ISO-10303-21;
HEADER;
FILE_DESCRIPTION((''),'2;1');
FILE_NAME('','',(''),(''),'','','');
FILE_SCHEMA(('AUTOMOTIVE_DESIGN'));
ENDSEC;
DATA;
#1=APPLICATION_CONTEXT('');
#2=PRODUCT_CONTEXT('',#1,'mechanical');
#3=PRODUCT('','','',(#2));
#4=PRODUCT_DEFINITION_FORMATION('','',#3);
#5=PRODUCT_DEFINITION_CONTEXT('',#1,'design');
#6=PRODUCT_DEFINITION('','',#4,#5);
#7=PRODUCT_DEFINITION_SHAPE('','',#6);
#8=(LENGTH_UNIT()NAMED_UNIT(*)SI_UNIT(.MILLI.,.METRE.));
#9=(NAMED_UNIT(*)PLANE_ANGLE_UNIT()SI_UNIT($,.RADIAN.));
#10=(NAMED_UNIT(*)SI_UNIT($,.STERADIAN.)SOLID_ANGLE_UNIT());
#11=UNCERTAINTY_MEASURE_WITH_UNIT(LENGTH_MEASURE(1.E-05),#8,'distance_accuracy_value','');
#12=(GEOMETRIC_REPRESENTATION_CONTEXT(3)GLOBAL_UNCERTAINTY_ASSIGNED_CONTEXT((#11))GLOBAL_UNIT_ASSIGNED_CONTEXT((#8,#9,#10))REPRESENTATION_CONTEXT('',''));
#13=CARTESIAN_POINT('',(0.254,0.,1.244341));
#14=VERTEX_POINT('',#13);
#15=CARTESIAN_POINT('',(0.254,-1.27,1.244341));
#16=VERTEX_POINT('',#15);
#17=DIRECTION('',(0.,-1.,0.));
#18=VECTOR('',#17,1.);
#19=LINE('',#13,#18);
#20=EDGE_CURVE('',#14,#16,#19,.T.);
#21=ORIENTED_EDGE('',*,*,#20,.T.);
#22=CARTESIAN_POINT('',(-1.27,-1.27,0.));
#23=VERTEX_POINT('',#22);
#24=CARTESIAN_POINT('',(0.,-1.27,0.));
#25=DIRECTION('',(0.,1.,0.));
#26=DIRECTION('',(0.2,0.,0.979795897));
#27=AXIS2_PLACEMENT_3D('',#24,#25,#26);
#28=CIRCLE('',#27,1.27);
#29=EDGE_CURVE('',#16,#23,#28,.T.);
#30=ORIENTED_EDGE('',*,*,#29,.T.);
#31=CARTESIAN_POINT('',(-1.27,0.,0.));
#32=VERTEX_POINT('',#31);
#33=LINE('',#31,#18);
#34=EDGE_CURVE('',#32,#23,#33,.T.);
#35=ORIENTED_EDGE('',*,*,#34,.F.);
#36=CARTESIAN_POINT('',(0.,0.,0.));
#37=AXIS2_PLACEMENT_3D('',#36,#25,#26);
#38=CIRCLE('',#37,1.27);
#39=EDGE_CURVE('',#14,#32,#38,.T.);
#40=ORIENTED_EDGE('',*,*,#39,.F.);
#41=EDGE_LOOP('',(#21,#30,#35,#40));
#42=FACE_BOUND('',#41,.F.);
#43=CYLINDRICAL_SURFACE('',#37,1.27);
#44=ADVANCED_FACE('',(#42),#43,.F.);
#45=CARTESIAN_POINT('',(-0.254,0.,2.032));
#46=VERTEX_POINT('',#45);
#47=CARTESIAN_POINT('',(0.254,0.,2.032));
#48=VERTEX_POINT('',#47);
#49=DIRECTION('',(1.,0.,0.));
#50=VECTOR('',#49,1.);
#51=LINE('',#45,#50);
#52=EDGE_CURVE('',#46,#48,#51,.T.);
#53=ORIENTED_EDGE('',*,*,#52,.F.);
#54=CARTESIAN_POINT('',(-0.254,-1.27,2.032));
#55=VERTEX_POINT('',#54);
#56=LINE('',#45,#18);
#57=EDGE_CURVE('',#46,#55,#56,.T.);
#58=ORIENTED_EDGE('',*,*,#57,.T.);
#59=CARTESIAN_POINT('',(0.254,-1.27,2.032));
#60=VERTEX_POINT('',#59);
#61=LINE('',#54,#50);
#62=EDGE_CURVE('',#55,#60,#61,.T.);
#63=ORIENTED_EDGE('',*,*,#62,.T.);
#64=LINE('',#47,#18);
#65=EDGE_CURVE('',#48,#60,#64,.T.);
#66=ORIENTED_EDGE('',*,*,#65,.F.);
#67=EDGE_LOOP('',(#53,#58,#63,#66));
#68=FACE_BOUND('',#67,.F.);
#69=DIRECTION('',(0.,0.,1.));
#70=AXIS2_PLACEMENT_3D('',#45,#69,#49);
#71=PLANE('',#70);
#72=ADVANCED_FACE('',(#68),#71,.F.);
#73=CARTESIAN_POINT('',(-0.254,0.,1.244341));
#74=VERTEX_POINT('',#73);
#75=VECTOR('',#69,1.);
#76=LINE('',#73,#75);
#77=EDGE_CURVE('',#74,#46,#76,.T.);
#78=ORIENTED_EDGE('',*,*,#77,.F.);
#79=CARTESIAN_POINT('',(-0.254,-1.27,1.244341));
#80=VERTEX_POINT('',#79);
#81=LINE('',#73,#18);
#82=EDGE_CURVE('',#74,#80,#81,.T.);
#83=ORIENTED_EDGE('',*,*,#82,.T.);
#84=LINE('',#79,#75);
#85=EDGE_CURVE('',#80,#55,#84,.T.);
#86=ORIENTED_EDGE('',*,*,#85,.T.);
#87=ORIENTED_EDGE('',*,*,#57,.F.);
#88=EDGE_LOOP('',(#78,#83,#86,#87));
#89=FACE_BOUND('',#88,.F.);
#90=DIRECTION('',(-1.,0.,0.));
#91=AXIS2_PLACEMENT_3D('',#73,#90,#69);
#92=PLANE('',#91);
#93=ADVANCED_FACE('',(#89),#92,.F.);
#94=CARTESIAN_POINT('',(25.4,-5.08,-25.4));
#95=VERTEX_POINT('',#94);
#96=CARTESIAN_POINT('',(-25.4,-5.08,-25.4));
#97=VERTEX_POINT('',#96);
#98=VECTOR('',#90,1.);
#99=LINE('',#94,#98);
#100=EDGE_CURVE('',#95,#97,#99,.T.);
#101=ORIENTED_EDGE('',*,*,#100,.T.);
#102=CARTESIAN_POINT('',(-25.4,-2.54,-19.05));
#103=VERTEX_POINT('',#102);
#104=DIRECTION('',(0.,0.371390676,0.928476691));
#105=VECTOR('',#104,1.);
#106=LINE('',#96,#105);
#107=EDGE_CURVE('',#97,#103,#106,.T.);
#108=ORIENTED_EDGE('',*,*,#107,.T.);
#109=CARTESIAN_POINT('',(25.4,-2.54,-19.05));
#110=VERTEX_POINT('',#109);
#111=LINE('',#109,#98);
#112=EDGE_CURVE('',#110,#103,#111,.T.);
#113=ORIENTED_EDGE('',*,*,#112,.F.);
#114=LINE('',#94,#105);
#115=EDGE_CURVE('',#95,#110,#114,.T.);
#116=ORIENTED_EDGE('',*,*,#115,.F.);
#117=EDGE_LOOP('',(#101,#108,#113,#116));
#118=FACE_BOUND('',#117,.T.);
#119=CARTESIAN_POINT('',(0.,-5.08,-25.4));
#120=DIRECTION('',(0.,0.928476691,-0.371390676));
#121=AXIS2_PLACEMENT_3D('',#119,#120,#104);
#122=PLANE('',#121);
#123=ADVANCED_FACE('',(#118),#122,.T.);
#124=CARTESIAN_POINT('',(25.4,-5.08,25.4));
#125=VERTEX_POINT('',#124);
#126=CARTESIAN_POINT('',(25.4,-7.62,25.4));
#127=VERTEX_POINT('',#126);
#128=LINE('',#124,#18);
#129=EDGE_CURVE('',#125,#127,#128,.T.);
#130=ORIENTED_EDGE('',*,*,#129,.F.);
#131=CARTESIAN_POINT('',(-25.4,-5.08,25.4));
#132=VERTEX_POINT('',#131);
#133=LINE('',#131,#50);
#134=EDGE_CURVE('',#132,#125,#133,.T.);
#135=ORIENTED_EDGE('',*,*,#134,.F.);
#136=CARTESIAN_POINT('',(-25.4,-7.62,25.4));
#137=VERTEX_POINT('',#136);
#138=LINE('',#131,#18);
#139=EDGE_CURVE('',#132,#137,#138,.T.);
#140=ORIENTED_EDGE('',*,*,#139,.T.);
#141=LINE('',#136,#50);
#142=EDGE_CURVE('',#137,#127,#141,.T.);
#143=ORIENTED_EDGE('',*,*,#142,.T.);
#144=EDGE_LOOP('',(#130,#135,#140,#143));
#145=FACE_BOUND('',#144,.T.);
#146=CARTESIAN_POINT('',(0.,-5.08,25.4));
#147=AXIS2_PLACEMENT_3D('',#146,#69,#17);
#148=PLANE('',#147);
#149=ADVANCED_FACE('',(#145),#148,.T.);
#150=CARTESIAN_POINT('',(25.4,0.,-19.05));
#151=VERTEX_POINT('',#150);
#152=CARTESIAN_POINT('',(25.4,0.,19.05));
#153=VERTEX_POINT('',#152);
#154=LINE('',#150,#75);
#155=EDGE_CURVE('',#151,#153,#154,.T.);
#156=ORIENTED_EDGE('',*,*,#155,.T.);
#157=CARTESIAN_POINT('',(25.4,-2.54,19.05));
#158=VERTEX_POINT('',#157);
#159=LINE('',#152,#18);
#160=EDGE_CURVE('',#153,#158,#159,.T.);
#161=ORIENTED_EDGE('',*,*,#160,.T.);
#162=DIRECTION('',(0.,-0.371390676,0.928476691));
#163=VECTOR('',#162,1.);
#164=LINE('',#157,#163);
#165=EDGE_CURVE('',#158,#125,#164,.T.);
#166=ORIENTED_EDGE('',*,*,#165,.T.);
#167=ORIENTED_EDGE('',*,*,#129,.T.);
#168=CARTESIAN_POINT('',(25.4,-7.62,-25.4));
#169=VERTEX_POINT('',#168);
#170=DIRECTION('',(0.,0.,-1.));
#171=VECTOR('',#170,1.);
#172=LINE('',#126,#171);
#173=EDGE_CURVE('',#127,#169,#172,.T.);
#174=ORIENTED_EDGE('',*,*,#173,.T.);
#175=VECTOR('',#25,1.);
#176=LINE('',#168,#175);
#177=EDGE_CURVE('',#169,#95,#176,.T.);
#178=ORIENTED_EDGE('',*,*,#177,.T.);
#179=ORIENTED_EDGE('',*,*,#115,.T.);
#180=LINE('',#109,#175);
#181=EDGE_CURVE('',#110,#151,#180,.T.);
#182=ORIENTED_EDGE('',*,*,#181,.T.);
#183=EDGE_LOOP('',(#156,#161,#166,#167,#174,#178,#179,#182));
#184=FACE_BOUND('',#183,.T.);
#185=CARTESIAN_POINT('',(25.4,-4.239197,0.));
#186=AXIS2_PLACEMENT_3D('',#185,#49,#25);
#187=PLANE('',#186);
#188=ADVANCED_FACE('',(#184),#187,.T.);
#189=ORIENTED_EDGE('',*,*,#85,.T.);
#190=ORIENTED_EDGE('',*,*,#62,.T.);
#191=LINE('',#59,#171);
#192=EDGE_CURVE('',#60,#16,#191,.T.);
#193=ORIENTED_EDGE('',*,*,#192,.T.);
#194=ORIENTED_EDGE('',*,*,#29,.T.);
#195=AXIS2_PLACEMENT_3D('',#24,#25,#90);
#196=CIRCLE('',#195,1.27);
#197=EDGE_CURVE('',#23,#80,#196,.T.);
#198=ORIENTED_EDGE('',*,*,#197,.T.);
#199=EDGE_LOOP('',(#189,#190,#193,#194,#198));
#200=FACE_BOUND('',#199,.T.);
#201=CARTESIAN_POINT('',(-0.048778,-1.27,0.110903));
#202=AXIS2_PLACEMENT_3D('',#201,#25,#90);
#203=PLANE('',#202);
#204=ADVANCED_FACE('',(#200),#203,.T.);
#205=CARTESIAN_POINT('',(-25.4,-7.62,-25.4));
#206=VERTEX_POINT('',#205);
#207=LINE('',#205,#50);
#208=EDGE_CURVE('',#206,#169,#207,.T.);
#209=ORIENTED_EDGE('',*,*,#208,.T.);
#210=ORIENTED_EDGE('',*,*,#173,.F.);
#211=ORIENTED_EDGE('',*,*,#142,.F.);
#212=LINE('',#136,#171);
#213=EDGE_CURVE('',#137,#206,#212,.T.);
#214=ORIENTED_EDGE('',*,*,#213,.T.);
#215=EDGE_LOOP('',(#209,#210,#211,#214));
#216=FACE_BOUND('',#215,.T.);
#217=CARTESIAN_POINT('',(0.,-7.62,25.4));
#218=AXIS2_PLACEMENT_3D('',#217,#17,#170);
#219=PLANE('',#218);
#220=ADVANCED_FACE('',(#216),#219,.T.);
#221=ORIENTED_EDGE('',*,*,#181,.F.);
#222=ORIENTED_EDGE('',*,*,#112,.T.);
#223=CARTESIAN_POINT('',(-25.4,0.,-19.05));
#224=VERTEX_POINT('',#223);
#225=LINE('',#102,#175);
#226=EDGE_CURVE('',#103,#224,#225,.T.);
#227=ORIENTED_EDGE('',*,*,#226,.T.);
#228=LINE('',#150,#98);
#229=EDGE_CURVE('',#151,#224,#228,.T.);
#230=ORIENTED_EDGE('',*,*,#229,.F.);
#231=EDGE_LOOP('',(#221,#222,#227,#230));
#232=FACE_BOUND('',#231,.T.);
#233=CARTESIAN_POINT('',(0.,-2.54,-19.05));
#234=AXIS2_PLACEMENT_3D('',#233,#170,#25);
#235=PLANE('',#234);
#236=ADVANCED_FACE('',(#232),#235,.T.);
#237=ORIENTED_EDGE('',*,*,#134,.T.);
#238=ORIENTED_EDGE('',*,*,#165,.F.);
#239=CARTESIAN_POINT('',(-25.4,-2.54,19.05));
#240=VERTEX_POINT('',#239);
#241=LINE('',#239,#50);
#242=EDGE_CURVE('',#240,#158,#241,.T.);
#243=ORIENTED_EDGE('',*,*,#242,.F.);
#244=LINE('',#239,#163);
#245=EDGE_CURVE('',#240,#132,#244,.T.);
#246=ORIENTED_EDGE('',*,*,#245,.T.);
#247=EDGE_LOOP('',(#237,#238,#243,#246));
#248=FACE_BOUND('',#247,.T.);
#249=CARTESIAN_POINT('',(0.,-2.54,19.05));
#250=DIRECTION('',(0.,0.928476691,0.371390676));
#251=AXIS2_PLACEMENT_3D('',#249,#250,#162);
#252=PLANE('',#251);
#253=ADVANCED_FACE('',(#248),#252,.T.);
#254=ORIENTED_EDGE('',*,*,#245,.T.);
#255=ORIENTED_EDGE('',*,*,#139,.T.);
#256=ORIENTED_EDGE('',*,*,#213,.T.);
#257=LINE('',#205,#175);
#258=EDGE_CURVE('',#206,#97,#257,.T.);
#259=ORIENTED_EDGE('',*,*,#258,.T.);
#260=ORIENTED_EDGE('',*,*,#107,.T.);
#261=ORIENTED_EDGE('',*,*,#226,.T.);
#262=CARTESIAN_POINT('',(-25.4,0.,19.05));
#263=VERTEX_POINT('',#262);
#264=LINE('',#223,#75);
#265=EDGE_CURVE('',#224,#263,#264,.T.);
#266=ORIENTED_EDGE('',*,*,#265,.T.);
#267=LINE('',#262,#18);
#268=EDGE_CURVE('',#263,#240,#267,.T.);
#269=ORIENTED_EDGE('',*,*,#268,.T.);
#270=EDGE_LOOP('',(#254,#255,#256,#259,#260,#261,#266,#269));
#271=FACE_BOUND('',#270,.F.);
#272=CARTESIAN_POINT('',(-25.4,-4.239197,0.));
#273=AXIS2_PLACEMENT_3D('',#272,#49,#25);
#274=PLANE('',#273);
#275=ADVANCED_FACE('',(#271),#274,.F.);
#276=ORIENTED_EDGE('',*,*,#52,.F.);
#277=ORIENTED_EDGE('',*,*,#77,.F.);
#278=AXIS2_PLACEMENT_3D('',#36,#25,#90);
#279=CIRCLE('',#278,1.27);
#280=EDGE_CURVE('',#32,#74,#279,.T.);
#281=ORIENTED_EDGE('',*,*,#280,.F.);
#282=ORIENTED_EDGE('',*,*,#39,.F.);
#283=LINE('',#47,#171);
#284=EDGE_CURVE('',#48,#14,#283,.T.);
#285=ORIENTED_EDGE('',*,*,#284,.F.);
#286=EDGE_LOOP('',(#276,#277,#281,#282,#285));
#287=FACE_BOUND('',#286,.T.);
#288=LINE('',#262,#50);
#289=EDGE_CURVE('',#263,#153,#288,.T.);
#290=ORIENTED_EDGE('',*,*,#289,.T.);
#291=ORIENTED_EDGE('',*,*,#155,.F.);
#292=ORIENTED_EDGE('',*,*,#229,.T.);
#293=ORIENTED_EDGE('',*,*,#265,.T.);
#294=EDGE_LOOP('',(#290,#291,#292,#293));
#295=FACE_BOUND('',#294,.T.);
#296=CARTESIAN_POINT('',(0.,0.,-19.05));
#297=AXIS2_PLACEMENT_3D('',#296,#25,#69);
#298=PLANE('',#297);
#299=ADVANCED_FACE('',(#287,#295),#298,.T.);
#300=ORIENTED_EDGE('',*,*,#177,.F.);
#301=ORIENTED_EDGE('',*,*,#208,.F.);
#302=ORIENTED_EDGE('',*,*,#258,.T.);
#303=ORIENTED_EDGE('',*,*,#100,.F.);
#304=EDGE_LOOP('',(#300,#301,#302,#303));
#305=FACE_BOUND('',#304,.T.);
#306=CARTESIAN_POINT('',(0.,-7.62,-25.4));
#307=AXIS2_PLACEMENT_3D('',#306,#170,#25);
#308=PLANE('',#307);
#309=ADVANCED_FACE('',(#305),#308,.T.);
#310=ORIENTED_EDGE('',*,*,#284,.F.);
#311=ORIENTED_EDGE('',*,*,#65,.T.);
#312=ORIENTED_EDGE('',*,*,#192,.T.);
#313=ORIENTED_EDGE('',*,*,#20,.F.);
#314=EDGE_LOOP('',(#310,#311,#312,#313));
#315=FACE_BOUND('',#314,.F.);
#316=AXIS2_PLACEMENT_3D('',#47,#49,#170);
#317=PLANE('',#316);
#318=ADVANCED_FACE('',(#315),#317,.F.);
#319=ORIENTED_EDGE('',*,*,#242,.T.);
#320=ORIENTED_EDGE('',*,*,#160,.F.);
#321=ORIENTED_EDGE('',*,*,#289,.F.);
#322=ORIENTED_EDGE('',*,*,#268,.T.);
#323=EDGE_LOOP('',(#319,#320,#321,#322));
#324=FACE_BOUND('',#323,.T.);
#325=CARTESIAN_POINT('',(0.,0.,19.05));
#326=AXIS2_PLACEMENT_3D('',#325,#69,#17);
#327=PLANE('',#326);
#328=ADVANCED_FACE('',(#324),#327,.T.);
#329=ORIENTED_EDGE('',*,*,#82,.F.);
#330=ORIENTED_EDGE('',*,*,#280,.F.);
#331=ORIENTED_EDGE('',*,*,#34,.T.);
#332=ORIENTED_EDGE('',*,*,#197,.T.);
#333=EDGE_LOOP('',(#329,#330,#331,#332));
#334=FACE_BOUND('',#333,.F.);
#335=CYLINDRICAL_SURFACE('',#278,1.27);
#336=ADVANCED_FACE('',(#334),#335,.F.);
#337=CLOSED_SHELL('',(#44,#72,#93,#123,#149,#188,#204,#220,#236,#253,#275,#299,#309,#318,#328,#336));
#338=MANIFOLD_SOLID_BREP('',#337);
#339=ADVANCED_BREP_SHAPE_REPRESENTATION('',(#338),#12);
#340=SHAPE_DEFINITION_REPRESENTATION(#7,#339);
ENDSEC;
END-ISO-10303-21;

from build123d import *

# Parameters (mm, degrees)
F1_DEPTH = 25.4
F2_DEPTH = 25.4
F4_DEPTH = 1.27


with BuildPart() as f1:
    # F0 (on Right) → F1 (new body)
    with BuildSketch(Plane.YZ):
        Polygon((0, -19.05), (0, 0), (0, 19.05), (-2.54, 19.05), (-5.08, 25.4), (-7.62, 25.4), (-7.62, -25.4), (-5.08, -25.4), (-2.54, -19.05), align=None)
    extrude(amount=F1_DEPTH)

    # F0 (on Right) → F2 (join)
    with BuildSketch(Plane.YZ):
        Polygon((0, -19.05), (0, 0), (0, 19.05), (-2.54, 19.05), (-5.08, 25.4), (-7.62, 25.4), (-7.62, -25.4), (-5.08, -25.4), (-2.54, -19.05), align=None)
    extrude(amount=-F2_DEPTH)

    # F3 (on face) → F4 (cut)
    with BuildSketch(Plane(origin=(0, 0, 0), x_dir=(-1, 0, 0), z_dir=(0, 1, 0))):
        with BuildLine():
            ThreePointArc((-0.254, 1.2443407893), (-0.8032185257, -0.9837377699), (1.27, 0))
            ThreePointArc((1.27, 0), (0.9837377699, 0.8032185257), (0.254, 1.2443407893))
            Line((0.254, 1.2443407893), (0.254, 1.016))
            Line((0.254, 1.016), (-0.254, 1.016))
            Line((-0.254, 1.016), (-0.254, 1.2443407893))
        make_face()
        with BuildLine():
            Line((0.254, 1.016), (0.254, 1.2443407893))
            ThreePointArc((0.254, 1.2443407893), (0, 1.27), (-0.254, 1.2443407893))
            Line((-0.254, 1.2443407893), (-0.254, 1.016))
            Line((-0.254, 1.016), (0.254, 1.016))
        make_face()
        with BuildLine():
            ThreePointArc((-0.254, 1.2443407893), (0, 1.27), (0.254, 1.2443407893))
            Line((0.254, 1.2443407893), (0.254, 2.032))
            Line((0.254, 2.032), (-0.254, 2.032))
            Line((-0.254, 2.032), (-0.254, 1.2443407893))
        make_face()
    extrude(amount=-F4_DEPTH, mode=Mode.SUBTRACT)


solid = f1.part
